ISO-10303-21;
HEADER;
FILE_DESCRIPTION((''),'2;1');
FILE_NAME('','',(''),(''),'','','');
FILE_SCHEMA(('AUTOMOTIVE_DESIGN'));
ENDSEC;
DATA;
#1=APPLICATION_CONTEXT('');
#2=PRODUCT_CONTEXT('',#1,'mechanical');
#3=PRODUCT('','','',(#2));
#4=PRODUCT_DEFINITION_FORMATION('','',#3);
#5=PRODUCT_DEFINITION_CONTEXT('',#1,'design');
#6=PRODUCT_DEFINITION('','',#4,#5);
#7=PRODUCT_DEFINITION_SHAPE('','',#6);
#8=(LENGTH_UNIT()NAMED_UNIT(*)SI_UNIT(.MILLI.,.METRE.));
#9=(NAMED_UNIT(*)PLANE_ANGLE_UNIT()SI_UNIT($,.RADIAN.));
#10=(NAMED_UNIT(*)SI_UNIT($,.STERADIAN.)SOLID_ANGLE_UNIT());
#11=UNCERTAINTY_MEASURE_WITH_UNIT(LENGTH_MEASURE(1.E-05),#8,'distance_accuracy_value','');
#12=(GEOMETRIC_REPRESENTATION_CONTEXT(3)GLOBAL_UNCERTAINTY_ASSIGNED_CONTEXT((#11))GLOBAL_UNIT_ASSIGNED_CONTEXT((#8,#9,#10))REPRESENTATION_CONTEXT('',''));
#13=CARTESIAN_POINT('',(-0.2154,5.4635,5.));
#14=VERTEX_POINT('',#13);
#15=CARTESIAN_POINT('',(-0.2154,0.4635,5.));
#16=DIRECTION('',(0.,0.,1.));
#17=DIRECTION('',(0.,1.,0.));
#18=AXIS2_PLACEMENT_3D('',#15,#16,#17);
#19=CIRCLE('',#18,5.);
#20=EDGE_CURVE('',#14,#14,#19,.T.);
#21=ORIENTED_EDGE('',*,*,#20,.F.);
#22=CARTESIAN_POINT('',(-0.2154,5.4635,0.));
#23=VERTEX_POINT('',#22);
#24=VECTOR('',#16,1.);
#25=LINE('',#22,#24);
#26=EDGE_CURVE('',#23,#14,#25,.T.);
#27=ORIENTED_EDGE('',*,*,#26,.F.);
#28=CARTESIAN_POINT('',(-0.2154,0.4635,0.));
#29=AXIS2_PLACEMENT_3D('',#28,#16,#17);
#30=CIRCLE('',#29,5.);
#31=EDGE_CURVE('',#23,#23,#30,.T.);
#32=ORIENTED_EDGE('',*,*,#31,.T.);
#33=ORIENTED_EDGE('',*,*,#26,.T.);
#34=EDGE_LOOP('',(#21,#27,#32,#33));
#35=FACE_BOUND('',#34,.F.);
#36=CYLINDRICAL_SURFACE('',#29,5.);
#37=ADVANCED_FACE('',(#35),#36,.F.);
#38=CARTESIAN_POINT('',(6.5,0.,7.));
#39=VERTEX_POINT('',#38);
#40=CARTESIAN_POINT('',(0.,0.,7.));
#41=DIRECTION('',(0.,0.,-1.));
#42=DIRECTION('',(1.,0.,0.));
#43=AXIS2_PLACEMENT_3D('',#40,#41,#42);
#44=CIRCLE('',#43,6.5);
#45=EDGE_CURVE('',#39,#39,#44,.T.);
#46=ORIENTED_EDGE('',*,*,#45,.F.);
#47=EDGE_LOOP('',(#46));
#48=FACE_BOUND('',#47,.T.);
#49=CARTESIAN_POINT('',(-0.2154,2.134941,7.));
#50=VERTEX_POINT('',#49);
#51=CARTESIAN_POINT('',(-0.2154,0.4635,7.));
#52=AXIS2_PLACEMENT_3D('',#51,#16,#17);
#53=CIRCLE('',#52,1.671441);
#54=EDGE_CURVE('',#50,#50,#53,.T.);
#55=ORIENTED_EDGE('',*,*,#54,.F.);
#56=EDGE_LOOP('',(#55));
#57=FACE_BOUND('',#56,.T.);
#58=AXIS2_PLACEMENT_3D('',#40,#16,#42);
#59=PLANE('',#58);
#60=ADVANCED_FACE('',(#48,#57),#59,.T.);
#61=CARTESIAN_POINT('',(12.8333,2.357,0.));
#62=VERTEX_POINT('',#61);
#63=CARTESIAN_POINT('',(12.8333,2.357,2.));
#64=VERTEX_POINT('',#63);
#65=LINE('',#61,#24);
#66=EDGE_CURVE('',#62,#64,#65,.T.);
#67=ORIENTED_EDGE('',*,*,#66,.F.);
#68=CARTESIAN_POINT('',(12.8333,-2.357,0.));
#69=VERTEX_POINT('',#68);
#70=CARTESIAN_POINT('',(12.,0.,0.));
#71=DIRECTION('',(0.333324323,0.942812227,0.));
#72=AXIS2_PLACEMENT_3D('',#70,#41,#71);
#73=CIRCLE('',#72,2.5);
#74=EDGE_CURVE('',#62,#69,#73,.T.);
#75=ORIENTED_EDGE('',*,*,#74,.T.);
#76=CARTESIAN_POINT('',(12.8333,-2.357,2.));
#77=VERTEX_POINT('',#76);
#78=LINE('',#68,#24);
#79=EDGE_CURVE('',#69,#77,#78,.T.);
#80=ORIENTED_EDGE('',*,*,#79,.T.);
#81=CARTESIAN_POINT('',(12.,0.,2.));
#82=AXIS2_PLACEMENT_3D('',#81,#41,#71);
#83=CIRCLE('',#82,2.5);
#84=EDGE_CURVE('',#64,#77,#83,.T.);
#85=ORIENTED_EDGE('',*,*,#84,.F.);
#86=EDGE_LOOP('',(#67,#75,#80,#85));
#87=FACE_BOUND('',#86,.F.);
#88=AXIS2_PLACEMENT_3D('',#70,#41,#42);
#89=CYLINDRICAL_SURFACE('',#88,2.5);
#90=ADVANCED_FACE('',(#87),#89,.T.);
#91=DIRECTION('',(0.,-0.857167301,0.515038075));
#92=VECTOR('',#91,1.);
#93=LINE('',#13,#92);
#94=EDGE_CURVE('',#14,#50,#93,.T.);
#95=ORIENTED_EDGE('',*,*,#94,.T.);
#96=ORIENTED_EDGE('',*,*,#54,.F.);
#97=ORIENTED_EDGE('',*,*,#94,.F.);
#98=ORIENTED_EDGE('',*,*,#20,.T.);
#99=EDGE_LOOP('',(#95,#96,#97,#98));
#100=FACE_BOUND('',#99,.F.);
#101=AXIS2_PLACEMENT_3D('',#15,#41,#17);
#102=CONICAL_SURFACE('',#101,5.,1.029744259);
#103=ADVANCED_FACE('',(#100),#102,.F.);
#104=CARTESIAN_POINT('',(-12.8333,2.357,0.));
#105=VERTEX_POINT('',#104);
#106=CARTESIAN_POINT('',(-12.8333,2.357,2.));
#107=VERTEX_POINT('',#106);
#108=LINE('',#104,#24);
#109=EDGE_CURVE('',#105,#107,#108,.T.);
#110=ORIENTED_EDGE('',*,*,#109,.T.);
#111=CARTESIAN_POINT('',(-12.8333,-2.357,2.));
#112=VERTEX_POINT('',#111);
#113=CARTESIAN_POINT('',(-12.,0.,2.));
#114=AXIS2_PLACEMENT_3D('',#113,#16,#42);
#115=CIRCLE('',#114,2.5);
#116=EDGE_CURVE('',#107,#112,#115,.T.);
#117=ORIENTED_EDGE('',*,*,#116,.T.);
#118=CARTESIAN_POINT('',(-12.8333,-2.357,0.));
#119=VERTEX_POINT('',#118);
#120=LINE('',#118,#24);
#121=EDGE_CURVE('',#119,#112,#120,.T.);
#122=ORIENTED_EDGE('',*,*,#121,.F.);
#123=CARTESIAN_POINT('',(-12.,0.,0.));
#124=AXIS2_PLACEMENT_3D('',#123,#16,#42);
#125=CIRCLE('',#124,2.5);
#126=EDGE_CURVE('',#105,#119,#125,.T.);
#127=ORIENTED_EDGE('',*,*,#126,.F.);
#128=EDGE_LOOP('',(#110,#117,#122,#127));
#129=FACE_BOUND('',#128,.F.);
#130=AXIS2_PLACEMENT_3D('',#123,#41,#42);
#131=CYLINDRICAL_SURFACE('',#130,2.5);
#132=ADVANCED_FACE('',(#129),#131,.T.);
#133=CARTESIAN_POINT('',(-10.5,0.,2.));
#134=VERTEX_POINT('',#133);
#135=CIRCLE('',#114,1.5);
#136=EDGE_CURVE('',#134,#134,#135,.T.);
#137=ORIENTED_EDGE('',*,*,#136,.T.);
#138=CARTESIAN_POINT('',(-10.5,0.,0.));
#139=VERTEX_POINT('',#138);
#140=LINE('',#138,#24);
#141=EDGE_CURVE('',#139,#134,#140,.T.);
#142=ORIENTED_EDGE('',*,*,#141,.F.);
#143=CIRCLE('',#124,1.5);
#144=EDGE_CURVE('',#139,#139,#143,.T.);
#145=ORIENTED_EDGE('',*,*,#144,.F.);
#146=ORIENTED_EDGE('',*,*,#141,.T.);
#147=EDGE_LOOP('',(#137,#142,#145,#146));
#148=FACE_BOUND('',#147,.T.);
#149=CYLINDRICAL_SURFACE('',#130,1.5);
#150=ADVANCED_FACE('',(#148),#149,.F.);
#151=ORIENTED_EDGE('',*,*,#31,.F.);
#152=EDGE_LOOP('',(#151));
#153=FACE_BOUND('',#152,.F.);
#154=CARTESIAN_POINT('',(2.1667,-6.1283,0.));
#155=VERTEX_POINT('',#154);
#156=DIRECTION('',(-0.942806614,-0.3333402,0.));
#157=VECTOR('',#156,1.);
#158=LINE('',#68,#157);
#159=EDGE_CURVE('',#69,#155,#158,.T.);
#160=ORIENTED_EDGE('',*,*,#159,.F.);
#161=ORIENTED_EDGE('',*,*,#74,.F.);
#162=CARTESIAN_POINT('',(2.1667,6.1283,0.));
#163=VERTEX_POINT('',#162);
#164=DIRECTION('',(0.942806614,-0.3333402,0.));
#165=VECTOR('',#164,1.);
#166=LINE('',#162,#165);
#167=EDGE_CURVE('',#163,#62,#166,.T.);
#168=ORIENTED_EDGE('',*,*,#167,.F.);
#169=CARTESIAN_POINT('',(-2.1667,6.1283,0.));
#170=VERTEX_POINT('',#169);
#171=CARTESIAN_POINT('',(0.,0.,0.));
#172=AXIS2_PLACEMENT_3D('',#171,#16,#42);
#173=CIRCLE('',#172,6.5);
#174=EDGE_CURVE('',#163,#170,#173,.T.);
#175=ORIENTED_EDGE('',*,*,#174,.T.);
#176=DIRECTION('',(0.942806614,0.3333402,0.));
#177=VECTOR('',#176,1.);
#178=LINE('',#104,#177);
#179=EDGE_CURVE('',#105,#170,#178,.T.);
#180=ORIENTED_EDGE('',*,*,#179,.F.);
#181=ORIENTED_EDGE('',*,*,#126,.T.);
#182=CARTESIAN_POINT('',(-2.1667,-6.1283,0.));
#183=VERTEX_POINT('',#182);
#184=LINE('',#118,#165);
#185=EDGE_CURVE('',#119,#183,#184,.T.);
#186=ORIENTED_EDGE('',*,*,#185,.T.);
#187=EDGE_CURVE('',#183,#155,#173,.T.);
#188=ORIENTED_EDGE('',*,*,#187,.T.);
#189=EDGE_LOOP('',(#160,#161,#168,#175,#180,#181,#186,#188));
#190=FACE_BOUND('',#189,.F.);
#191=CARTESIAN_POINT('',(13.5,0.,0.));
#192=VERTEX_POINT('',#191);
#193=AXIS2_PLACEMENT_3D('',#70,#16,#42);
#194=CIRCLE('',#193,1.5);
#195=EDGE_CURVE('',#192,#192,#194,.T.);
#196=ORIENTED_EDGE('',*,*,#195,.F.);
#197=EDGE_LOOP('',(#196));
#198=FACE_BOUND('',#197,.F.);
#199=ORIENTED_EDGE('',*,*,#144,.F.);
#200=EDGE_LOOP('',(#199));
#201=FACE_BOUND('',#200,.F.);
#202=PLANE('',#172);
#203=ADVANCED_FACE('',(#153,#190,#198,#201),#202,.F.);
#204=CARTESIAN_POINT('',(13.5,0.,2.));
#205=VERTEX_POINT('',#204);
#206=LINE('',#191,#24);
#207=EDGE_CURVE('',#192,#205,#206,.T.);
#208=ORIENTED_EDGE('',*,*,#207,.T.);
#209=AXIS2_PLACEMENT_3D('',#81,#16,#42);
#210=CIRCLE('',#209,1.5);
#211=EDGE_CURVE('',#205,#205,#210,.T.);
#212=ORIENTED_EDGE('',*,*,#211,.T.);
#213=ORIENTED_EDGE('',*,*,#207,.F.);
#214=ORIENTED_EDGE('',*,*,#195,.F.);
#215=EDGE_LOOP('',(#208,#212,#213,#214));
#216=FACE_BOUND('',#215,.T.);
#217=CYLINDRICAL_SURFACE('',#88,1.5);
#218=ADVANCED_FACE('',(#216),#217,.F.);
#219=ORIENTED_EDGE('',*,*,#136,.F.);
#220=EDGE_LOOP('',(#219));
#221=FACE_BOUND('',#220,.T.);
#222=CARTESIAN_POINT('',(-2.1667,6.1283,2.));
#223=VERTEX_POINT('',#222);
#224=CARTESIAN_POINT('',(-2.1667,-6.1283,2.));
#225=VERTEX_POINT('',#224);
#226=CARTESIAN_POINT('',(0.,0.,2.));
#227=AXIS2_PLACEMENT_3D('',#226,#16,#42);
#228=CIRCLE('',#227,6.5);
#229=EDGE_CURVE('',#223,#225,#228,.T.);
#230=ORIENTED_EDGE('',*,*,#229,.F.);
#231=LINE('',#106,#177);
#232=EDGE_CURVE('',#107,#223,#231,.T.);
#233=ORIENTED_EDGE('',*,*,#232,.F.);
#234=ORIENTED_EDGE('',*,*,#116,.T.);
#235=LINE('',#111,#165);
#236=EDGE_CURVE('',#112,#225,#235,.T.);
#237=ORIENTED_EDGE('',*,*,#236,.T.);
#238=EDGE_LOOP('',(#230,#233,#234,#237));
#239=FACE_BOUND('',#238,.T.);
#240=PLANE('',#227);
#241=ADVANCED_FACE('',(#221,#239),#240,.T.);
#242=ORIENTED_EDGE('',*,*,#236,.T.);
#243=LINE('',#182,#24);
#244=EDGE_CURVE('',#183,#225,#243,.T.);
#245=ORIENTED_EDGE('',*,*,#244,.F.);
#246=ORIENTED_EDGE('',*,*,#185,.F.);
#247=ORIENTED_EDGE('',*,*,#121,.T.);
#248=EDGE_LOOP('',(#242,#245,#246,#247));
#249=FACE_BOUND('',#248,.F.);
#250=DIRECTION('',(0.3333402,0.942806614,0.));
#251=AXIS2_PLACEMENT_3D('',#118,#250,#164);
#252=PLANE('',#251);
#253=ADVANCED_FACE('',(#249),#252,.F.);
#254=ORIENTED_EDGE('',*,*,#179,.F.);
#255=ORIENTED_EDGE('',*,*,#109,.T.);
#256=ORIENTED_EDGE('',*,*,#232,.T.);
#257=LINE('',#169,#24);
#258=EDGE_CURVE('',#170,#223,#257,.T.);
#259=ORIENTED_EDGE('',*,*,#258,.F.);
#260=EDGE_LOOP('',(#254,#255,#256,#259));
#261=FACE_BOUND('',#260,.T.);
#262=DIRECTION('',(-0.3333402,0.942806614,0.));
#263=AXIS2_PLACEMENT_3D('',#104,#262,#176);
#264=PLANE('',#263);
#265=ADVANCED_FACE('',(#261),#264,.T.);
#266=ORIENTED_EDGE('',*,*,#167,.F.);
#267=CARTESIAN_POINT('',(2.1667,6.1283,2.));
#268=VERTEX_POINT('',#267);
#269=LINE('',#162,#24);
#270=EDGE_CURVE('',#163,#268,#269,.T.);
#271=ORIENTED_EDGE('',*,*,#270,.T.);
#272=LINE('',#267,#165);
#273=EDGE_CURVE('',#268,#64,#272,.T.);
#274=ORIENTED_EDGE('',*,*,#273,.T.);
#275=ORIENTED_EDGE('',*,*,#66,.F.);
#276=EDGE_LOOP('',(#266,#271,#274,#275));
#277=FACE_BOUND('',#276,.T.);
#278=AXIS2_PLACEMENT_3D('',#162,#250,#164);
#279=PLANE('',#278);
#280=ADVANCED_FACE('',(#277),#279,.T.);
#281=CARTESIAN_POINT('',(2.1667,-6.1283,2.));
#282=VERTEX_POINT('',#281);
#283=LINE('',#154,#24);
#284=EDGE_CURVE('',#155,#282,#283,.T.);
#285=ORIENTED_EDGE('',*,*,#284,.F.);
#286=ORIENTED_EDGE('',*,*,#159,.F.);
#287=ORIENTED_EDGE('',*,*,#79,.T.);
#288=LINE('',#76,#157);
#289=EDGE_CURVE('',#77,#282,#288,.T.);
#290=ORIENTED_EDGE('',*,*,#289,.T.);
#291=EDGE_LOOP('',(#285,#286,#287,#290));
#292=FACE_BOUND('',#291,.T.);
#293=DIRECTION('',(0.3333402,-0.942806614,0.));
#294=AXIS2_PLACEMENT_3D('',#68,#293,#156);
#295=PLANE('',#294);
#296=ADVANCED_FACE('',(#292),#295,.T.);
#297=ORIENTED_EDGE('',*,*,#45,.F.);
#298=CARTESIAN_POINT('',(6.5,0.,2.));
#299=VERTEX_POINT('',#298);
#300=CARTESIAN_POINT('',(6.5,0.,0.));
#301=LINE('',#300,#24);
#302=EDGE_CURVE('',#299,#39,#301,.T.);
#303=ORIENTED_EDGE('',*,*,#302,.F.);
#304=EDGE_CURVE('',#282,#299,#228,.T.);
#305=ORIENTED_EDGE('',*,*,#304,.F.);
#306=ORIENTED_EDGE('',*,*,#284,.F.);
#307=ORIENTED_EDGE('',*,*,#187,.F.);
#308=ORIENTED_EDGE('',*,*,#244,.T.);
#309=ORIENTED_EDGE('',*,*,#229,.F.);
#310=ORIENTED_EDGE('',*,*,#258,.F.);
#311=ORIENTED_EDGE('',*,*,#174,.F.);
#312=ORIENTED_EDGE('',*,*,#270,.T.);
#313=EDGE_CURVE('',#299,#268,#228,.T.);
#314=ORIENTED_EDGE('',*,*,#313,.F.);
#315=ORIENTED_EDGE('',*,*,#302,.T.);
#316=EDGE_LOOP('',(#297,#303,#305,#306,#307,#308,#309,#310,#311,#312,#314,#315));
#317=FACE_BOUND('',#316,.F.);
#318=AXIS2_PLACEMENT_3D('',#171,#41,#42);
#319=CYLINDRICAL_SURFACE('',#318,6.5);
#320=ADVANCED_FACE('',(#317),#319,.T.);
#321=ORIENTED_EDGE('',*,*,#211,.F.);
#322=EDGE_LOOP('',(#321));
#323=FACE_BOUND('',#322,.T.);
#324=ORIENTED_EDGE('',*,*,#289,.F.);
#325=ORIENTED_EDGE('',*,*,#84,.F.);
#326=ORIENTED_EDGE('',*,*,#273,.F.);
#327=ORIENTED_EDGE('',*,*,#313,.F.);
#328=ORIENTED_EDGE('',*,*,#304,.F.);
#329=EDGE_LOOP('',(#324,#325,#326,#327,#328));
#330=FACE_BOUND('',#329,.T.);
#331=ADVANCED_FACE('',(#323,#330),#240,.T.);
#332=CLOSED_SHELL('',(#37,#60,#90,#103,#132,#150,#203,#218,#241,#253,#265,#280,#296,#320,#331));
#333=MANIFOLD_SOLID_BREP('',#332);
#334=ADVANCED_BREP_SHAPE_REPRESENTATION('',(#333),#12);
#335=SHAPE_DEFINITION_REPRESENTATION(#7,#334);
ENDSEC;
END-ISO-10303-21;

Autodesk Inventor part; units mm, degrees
ref_plane "YZ Plane" through (0, 0, 0) normal (1, 0, 0) x (0, 1, 0)
ref_plane "XZ Plane" through (0, 0, 0) normal (0, 1, 0) x (-1, 0, 0)
ref_plane "XY Plane" through (0, 0, 0) normal (0, 0, 1) x (1, 0, 0)
sketch "Sketch3" plane through (0, 0, 0) normal (0, 0, 1) x (1, 0, 0)
  circle A0 centre (0, 0) radius 5
  circle A1 centre (0, 0) radius 6.5
  line L0 (-12.3755, 0) -> (14, 0) construction
  circle A2 centre (12, 0) radius 2.5
  circle A3 centre (-12, 0) radius 2.5
  line L1 (-12.8333, 2.357) -> (-2.1667, 6.1283)
  line L2 (-12.8333, -2.357) -> (-2.1667, -6.1283)
  line L3 (2.1667, 6.1283) -> (12.8333, 2.357)
  line L4 (12.8333, -2.357) -> (2.1667, -6.1283)
  circle A4 centre (-12, 0) radius 1.5
  circle A5 centre (12, 0) radius 1.5
  dimension "d6" = 10
  dimension "d7" = 13
  dimension "d21" = 5
  dimension "d22" = 5
  dimension "d23" = 12
  dimension "d24" = 12
  dimension "d25" = 3
  dimension "d26" = 3
extrude "Extrusion2" add sketch "Sketch3" along normal blind 7 contours A0 | A1
extrude "Extrusion5" add sketch "Sketch3" along normal blind 2 contours A0 | A1 | A1 L3 A2 L4 | A1 L2 A3 L1 | A2 | A3
sketch "Sketch5" plane through (0, 0, 0) normal (0, 0, -1) x (-1, 0, 0)
  point P0 (0, 0)
  point P1 (0.2154, 0.4635)
hole "Hole2" at (-0.2154, 0.4635, 0) direction (0, 0, 1) diameter 10 depth 5 tip angle 118
properties part number "bearingHousing"
